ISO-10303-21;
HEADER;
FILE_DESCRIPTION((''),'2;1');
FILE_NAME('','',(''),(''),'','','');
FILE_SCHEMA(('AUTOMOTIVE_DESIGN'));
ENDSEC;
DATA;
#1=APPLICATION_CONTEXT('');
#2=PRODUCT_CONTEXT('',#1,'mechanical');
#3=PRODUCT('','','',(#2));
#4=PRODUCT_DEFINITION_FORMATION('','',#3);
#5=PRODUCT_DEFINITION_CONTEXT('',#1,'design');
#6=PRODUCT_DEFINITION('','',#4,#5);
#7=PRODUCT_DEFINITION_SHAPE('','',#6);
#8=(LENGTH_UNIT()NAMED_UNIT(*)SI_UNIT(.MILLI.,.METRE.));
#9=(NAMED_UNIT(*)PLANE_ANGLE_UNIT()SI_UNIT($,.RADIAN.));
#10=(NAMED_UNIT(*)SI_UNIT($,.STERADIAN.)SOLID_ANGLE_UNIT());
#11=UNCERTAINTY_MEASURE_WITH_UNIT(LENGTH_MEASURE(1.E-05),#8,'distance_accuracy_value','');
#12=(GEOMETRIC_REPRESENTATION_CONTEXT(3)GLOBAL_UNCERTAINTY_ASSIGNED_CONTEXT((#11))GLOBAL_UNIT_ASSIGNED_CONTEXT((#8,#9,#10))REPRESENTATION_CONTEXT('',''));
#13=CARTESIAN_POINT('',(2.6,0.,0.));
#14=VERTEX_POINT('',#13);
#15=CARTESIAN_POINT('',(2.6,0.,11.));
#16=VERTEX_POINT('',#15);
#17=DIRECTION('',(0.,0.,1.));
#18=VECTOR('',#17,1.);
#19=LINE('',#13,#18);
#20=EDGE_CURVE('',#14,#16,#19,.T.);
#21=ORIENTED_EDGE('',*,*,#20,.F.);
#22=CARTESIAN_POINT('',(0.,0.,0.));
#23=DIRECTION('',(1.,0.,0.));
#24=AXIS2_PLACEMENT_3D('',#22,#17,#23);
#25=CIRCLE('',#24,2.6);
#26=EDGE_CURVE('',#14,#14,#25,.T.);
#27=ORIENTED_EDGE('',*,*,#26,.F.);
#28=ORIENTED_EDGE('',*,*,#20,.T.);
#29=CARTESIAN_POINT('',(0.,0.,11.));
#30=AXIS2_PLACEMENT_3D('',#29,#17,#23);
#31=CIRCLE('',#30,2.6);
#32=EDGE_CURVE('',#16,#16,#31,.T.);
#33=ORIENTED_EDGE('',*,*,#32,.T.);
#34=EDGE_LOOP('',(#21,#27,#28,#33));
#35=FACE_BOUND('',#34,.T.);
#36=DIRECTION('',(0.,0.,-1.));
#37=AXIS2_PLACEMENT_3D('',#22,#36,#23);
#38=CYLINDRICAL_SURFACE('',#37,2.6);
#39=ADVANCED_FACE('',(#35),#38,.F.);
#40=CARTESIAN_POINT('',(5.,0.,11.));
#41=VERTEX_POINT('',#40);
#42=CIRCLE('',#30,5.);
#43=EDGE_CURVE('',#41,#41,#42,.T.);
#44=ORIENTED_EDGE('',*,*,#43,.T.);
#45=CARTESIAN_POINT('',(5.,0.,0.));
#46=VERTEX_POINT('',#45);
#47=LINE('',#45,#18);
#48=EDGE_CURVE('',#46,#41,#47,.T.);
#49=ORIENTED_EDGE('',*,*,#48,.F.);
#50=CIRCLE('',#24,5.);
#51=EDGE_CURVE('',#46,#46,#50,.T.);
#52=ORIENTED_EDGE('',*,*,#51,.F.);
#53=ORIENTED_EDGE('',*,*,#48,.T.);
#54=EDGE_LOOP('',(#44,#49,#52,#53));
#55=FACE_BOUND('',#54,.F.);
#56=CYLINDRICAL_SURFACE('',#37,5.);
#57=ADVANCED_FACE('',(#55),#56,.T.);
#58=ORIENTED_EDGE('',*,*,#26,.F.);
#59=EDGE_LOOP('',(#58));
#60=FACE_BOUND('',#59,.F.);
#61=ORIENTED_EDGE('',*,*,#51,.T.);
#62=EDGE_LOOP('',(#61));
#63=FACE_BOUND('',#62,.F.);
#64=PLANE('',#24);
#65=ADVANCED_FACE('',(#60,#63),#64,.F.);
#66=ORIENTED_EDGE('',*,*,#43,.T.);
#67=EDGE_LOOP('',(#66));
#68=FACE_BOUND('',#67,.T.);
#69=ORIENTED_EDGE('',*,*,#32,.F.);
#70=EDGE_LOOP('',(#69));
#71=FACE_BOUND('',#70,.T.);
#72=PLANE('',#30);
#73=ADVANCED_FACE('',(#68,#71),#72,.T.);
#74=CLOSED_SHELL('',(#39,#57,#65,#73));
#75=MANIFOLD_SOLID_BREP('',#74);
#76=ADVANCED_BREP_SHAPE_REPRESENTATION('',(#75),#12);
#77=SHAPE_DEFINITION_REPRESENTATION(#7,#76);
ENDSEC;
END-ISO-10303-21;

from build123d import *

# Parameters (mm, degrees)
SKETCH_R   = 5
SKETCH_R_2 = 2.6
PAD_DEPTH  = 11


with BuildPart() as part:
    # Sketch → Pad (new body)
    with BuildSketch(Plane.XY):
        Circle(SKETCH_R)
        Circle(SKETCH_R_2, mode=Mode.SUBTRACT)
    extrude(amount=PAD_DEPTH)


solid = part.part
